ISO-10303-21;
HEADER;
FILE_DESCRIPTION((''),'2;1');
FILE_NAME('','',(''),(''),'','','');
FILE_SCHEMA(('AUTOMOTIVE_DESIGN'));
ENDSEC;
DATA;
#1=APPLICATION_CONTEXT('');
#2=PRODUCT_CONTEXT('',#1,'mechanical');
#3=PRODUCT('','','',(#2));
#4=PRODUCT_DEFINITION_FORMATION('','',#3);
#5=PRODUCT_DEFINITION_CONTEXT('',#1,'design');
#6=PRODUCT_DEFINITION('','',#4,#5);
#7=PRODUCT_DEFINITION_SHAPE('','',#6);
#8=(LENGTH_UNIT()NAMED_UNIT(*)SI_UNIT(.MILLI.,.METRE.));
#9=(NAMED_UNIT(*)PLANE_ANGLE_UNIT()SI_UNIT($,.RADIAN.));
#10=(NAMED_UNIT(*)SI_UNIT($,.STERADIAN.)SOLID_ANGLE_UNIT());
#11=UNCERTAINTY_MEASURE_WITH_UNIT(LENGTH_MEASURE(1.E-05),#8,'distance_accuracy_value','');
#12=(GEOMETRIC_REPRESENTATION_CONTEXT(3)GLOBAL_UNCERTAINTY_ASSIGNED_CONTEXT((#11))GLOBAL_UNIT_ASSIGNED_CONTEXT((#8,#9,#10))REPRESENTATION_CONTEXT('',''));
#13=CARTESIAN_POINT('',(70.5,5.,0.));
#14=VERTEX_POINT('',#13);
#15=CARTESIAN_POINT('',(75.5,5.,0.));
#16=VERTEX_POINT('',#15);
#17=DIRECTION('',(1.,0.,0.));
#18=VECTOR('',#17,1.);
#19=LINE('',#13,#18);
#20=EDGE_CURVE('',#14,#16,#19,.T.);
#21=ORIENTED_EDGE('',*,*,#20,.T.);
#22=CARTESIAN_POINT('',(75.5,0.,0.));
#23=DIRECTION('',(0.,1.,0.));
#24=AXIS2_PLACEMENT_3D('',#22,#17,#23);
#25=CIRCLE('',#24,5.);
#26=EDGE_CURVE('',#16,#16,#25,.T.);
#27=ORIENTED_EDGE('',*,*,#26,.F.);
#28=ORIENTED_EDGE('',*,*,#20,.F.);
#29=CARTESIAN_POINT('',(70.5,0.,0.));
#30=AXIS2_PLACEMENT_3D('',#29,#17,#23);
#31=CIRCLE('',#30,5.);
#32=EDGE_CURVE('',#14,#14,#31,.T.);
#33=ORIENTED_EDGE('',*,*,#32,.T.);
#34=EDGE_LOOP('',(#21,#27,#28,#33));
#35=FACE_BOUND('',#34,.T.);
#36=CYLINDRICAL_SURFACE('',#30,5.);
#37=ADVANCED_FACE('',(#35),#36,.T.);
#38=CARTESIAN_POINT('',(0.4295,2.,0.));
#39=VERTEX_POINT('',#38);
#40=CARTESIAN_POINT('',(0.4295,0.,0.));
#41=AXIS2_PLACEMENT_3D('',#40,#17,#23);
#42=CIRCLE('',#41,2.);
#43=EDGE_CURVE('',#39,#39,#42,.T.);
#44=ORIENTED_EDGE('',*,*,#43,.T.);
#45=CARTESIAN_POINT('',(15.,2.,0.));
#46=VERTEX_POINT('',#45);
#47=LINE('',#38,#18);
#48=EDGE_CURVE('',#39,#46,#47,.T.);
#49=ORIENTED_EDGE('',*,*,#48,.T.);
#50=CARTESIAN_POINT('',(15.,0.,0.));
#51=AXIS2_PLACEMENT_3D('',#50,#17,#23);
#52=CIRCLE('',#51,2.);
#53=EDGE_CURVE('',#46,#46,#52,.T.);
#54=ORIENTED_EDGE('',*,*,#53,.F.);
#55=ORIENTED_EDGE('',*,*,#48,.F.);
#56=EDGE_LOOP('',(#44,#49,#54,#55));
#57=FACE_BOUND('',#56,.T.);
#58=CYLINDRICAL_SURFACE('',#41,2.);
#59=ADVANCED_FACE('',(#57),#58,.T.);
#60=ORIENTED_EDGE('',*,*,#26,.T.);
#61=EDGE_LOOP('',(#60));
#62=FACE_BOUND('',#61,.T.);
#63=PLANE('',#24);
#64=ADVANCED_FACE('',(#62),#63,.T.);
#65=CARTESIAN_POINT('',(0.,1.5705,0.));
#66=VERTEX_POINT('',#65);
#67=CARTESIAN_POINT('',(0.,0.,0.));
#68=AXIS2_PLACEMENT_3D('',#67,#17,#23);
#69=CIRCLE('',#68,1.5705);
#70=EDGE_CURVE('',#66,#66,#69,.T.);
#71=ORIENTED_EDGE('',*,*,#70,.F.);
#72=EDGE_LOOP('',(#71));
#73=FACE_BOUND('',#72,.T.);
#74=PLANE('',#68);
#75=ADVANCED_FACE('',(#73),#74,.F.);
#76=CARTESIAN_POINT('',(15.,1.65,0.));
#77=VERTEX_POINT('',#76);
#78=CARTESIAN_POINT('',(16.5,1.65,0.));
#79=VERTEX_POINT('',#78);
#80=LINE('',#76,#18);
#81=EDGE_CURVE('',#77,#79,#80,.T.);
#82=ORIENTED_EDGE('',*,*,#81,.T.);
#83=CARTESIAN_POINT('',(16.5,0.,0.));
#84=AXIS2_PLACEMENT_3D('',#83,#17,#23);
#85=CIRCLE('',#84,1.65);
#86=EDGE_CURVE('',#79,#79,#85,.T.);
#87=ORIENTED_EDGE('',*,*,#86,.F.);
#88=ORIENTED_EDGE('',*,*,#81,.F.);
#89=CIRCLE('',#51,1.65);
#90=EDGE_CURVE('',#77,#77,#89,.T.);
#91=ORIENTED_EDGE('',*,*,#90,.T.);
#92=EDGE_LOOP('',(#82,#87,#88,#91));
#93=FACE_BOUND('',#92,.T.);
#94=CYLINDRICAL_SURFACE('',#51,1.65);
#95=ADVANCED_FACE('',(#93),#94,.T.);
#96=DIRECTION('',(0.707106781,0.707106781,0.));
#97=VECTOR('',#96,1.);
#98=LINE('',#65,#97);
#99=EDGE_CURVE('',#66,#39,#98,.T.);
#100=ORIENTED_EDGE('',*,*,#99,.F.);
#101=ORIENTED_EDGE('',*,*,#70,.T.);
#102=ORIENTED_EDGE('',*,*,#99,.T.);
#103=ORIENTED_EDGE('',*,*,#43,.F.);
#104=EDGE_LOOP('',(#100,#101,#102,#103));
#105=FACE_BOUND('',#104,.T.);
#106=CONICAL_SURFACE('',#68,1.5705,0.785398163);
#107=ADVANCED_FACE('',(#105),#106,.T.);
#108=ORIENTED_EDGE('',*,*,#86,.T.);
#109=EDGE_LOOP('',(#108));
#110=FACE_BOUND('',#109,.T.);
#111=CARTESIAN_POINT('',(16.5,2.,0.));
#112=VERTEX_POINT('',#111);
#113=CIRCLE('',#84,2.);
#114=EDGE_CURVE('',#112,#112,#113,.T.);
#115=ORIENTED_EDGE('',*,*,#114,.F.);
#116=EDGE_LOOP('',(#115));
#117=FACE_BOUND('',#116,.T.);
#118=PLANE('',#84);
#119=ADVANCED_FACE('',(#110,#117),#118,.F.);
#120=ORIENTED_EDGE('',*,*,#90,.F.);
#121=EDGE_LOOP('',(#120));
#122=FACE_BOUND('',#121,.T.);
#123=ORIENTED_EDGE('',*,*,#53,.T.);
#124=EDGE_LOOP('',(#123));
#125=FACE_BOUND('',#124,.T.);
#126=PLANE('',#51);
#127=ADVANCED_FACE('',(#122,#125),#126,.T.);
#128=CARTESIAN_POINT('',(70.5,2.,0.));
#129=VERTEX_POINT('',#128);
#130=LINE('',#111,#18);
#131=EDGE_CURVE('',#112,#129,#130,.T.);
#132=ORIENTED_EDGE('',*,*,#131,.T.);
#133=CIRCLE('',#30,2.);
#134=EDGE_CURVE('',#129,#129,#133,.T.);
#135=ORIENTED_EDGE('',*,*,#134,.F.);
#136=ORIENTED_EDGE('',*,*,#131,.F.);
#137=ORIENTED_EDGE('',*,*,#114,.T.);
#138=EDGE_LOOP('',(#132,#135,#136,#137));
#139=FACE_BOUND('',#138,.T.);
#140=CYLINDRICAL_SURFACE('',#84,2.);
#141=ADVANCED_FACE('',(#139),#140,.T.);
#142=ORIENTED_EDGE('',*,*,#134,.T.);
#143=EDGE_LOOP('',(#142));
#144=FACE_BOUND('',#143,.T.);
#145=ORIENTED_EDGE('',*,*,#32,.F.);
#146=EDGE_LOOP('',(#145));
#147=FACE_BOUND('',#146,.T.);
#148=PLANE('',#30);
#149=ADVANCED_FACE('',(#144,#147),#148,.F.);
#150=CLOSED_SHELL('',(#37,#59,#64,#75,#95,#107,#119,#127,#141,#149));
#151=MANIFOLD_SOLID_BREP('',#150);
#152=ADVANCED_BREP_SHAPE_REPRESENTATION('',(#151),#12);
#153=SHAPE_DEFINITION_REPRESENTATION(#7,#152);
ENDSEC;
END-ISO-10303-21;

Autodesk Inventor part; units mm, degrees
sketch "Sketch_2" plane through (0, 0, 0) normal (0, 0, 1) x (1, 0, 0)
  line L0 (75.5, 0) -> (0, 0)
  line L1 (0, 0) -> (0, 1.5705)
  line L2 (0, 1.5705) -> (0.4295, 2)
  line L3 (0.4295, 2) -> (15, 2)
  line L4 (15, 2) -> (15, 1.65)
  line L5 (15, 1.65) -> (16.5, 1.65)
  line L6 (16.5, 1.65) -> (16.5, 2)
  line L7 (16.5, 2) -> (70.5, 2)
  line L8 (70.5, 2) -> (70.5, 5)
  line L9 (70.5, 5) -> (75.5, 5)
  line L10 (75.5, 5) -> (75.5, 0)
  line L11 (75.5, 0) -> (0, 0)
revolve "Revolution1" add sketch "Sketch_2" angle 360 about axis through (75.5, 0, 0) along (1, 0, 0)
thread "Thread1" size "M4x0.7" class "6g" standard "ISO Metric profile" full length
ref_plane "ROD_BA_XY" through (8, 0, 0) normal (-1, 0, 0) x (0, 0, -1)
ref_plane "ROD_BA_YZ" through (8, 0, 0) normal (0, 0, -1) x (0, -1, 0)
ref_plane "ROD_BA_ZX" through (8, 0, 0) normal (0, -1, 0) x (-1, 0, 0)
ref_plane "ROD_BODY_XY" through (28, 0, 0) normal (1, 0, 0) x (0, 0, -1)
ref_plane "ROD_BODY_YZ" through (28, 0, 0) normal (0, 0, -1) x (0, 1, 0)
ref_plane "ROD_BODY_ZX" through (28, 0, 0) normal (0, 1, 0) x (1, 0, 0)
ref_plane "rodnt1_XY" through (7.5, 0, 0) normal (1, 0, 0) x (0, 0, -1)
ref_plane "rodnt1_YZ" through (7.5, 0, 0) normal (0, 0, -1) x (0, 1, 0)
ref_plane "rodnt1_ZX" through (7.5, 0, 0) normal (0, 1, 0) x (1, 0, 0)
properties part number "CJ2D10-30Z_ROD"
